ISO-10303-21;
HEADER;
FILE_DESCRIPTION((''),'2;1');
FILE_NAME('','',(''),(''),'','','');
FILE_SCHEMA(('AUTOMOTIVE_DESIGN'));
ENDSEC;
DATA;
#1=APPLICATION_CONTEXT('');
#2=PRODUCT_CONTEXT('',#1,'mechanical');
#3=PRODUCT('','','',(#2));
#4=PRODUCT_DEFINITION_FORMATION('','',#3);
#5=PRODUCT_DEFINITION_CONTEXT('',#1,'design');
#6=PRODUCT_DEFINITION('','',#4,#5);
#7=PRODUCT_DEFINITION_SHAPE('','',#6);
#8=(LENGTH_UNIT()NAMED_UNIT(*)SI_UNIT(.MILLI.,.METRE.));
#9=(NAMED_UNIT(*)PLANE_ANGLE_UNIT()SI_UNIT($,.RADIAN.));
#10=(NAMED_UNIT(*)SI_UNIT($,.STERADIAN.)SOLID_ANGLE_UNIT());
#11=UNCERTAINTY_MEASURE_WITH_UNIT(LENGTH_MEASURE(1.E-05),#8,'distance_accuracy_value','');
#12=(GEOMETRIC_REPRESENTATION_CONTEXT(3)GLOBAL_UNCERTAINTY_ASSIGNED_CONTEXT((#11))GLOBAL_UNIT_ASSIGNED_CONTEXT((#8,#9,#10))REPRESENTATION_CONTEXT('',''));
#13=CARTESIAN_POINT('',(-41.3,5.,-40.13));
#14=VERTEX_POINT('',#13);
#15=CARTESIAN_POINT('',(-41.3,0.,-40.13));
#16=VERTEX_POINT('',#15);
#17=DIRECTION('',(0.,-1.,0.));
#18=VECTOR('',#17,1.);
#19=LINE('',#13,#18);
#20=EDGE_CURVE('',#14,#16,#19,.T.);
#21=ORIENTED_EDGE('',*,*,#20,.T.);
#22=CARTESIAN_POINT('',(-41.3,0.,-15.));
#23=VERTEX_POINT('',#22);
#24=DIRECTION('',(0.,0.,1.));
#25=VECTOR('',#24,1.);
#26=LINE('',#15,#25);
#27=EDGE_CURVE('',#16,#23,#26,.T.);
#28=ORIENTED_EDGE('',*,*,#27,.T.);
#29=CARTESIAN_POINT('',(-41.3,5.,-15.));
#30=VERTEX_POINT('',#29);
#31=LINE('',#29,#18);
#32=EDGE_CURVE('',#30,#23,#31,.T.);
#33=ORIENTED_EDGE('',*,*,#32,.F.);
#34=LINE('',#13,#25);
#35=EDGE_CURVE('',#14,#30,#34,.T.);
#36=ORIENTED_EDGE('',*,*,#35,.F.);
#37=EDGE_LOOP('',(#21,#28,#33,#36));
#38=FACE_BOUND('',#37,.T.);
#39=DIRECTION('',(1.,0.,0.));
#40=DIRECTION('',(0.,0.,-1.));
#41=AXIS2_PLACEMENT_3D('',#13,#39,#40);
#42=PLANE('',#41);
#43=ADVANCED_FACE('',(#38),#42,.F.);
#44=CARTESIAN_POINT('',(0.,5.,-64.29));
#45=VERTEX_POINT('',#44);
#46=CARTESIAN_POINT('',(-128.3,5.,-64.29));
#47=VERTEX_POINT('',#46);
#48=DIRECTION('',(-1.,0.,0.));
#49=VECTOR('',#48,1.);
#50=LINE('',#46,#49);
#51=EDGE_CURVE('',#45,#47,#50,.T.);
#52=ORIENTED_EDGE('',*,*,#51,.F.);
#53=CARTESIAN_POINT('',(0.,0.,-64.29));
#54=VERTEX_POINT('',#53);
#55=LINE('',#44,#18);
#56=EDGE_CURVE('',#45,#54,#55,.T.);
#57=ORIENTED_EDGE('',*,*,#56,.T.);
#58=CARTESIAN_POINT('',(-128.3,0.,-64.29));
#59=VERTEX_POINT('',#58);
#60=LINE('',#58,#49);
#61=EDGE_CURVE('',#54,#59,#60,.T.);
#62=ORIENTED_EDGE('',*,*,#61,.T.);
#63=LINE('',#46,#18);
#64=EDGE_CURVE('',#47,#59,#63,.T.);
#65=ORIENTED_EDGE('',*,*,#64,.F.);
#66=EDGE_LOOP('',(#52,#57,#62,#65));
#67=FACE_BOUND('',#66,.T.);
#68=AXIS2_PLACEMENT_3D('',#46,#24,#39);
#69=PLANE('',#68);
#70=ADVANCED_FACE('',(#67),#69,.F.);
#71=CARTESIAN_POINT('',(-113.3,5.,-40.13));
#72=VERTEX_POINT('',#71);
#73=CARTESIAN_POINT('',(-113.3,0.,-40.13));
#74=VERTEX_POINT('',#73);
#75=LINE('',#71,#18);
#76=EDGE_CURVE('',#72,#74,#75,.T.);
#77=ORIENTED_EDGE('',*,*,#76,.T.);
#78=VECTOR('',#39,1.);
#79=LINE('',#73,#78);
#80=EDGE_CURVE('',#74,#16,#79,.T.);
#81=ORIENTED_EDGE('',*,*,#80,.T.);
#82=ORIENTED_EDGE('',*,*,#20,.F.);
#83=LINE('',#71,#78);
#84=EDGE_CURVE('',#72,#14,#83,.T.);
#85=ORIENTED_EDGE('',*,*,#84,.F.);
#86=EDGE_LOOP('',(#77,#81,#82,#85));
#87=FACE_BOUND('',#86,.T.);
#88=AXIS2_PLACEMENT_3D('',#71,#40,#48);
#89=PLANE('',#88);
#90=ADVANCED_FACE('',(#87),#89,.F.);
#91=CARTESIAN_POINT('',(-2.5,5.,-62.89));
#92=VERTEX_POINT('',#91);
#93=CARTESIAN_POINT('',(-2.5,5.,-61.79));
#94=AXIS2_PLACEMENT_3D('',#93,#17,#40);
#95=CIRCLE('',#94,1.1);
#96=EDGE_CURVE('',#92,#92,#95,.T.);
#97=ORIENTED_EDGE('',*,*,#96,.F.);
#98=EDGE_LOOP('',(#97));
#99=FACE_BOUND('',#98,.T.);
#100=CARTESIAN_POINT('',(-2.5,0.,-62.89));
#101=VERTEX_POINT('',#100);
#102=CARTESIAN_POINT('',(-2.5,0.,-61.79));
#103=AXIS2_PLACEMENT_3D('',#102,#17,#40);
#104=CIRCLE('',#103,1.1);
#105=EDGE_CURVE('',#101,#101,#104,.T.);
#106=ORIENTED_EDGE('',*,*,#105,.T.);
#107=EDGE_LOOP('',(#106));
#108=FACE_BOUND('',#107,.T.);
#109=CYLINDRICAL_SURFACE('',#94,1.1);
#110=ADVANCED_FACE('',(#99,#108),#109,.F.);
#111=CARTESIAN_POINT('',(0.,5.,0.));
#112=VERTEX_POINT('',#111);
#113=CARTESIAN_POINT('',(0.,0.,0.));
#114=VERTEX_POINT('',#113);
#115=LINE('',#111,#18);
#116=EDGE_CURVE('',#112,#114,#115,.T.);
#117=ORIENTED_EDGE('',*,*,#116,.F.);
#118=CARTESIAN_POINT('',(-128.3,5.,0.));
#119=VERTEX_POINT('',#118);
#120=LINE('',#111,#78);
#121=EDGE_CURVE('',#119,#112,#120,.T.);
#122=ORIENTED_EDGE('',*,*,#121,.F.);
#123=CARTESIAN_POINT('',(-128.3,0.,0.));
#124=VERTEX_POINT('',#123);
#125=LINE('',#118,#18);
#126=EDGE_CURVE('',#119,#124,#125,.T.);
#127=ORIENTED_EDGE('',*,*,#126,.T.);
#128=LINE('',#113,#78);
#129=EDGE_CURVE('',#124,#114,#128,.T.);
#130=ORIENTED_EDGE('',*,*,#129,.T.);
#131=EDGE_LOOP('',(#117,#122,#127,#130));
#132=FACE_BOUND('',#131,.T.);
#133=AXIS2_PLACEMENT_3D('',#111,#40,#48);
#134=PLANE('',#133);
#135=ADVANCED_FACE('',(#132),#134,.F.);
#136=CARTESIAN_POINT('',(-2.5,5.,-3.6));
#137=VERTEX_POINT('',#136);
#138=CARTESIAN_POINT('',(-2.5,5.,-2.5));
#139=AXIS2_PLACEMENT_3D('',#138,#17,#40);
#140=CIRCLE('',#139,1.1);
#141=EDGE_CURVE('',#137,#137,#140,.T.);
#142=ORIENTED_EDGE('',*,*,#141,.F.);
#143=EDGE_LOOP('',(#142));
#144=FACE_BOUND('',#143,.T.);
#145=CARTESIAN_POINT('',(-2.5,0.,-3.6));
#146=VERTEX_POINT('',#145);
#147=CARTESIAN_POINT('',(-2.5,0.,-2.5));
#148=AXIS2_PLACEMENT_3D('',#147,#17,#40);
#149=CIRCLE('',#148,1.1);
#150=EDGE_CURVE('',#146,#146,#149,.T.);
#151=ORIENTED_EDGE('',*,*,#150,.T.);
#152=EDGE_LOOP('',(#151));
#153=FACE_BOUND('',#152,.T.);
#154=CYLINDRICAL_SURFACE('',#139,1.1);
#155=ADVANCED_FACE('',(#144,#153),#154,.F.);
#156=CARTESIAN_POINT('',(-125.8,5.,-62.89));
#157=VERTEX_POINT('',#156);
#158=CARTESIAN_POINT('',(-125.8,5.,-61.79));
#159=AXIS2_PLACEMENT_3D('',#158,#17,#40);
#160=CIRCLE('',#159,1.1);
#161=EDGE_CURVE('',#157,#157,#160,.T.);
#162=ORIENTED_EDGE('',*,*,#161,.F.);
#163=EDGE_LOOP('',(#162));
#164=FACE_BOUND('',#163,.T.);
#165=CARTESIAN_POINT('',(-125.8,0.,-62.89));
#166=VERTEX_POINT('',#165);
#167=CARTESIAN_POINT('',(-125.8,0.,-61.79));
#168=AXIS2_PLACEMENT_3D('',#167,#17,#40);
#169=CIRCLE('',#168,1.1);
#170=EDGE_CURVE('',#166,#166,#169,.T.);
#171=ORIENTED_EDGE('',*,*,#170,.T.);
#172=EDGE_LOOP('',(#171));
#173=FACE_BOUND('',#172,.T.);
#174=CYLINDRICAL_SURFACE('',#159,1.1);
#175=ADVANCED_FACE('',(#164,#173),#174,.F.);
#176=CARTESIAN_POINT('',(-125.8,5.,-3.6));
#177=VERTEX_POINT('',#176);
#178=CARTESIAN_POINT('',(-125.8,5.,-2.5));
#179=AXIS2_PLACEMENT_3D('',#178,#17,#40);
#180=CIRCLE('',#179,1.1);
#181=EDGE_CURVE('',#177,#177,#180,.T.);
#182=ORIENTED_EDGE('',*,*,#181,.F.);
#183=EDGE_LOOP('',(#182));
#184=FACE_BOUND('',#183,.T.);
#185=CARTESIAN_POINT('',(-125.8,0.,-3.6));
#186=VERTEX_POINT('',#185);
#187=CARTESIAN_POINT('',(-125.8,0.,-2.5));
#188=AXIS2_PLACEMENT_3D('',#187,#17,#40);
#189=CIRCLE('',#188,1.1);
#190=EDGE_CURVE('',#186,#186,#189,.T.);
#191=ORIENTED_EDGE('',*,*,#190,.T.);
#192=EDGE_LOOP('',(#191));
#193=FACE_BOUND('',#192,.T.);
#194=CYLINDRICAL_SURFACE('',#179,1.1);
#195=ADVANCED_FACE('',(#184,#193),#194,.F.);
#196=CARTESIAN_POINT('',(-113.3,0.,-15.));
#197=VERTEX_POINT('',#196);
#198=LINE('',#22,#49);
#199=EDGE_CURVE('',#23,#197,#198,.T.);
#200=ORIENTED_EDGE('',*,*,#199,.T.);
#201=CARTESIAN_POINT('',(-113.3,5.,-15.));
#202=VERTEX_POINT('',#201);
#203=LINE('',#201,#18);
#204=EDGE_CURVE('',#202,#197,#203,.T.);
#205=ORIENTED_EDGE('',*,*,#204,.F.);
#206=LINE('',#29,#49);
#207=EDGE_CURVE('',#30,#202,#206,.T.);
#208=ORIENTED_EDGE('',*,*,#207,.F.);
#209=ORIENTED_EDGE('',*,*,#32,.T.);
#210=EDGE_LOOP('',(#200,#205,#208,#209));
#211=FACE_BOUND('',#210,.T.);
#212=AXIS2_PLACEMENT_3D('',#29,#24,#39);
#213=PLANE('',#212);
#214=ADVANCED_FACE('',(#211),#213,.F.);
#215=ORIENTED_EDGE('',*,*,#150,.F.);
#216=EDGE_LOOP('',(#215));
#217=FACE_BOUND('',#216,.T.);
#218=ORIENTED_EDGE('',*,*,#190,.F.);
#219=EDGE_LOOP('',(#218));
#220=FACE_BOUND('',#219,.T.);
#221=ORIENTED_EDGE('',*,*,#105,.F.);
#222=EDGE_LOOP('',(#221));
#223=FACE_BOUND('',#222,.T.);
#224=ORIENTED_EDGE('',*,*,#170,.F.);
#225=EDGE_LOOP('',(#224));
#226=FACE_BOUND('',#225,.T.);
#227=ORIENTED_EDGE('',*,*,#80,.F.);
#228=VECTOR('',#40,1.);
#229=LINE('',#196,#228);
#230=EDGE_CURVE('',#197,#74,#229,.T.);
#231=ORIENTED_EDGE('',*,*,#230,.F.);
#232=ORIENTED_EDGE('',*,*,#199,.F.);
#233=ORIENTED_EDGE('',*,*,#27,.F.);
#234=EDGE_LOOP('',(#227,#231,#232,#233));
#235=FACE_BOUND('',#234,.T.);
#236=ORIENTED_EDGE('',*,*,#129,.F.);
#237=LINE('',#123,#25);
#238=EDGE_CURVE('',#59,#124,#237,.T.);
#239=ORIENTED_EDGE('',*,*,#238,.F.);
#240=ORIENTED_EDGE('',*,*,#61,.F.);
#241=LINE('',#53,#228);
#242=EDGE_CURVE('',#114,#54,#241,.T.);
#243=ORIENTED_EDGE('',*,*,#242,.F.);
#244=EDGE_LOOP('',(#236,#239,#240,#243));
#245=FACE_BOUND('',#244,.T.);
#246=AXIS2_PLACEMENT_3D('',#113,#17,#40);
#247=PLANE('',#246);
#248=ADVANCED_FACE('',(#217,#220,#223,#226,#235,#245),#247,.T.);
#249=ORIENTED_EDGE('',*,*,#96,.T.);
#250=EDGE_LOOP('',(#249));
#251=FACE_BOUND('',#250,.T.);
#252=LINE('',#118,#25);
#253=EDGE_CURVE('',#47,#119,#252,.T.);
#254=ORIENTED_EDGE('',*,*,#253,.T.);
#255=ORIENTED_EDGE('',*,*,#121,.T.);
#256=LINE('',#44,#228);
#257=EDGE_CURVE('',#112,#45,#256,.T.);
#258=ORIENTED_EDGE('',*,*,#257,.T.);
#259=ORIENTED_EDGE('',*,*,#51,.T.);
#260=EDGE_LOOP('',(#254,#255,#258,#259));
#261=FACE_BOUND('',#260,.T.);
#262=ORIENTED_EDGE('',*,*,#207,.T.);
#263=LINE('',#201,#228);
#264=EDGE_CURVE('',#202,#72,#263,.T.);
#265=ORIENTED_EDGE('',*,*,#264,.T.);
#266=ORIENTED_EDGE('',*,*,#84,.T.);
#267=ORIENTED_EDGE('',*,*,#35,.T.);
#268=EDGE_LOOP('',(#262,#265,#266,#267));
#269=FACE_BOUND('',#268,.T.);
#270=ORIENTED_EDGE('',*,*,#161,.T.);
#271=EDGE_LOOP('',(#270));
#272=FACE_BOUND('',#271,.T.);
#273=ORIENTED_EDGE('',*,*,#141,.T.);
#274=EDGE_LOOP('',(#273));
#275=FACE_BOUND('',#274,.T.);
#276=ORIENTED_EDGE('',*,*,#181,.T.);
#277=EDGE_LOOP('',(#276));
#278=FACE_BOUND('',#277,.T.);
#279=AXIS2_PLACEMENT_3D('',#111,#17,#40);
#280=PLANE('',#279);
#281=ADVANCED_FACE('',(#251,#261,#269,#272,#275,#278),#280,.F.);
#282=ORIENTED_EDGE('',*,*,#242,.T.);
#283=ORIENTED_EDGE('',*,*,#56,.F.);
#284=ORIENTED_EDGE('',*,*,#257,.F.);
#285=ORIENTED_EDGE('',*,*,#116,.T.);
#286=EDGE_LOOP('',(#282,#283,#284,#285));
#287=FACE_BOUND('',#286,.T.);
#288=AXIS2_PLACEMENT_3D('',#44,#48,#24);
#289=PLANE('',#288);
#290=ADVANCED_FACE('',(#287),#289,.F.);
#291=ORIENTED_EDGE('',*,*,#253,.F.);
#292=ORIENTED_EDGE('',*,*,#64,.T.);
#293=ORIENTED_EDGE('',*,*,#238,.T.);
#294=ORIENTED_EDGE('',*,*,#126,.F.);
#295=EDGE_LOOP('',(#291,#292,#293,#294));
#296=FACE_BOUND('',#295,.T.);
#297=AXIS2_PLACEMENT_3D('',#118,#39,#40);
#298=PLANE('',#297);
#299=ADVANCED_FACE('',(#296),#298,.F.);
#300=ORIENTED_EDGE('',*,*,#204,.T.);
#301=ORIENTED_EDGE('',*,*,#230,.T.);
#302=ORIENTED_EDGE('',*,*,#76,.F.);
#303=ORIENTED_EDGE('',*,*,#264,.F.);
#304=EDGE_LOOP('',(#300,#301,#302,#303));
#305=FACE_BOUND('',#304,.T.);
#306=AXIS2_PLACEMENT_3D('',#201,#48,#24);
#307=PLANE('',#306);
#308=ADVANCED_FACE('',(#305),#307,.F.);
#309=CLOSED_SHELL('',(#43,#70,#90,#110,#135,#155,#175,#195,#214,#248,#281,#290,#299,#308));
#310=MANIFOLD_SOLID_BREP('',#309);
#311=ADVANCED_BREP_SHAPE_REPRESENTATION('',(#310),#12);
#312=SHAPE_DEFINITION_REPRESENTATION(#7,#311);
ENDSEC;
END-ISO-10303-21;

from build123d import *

# Parameters (mm, degrees)
SKETCH1_W           = 128.3
SKETCH1_H           = 64.29
BOSS_EXTRUDE1_DEPTH = 5
SKETCH2_R           = 1.1
CUT_EXTRUDE1_DEPTH  = 6
SKETCH3_W           = 72
SKETCH3_H           = 25.13
CUT_EXTRUDE2_DEPTH  = 6


with BuildPart() as part:
    # Sketch1 → Boss-Extrude1 (new body)
    with BuildSketch(Plane(origin=(0, 0, 0), x_dir=(1, 0, 0), z_dir=(0, 1, 0))):
        with Locations((-64.15, 32.145)):
            Rectangle(SKETCH1_W, SKETCH1_H)
    extrude(amount=BOSS_EXTRUDE1_DEPTH)

    # Sketch2 → Cut-Extrude1 (cut, through all)
    with BuildSketch(Plane(origin=(0, 0, 0), x_dir=(-1, 0, 0), z_dir=(0, -1, 0))):
        with Locations((125.8, 2.5)):
            Circle(SKETCH2_R)
        with Locations((125.8, 61.79)):
            Circle(SKETCH2_R)
        with Locations((2.5, 2.5)):
            Circle(SKETCH2_R)
        with Locations((2.5, 61.79)):
            Circle(SKETCH2_R)
    extrude(amount=-CUT_EXTRUDE1_DEPTH, mode=Mode.SUBTRACT)

    # Sketch3 → Cut-Extrude2 (cut, through all)
    with BuildSketch(Plane.XZ):
        with Locations((-77.3, -27.565)):
            Rectangle(SKETCH3_W, SKETCH3_H)
    extrude(amount=-CUT_EXTRUDE2_DEPTH, mode=Mode.SUBTRACT)


solid = part.part
